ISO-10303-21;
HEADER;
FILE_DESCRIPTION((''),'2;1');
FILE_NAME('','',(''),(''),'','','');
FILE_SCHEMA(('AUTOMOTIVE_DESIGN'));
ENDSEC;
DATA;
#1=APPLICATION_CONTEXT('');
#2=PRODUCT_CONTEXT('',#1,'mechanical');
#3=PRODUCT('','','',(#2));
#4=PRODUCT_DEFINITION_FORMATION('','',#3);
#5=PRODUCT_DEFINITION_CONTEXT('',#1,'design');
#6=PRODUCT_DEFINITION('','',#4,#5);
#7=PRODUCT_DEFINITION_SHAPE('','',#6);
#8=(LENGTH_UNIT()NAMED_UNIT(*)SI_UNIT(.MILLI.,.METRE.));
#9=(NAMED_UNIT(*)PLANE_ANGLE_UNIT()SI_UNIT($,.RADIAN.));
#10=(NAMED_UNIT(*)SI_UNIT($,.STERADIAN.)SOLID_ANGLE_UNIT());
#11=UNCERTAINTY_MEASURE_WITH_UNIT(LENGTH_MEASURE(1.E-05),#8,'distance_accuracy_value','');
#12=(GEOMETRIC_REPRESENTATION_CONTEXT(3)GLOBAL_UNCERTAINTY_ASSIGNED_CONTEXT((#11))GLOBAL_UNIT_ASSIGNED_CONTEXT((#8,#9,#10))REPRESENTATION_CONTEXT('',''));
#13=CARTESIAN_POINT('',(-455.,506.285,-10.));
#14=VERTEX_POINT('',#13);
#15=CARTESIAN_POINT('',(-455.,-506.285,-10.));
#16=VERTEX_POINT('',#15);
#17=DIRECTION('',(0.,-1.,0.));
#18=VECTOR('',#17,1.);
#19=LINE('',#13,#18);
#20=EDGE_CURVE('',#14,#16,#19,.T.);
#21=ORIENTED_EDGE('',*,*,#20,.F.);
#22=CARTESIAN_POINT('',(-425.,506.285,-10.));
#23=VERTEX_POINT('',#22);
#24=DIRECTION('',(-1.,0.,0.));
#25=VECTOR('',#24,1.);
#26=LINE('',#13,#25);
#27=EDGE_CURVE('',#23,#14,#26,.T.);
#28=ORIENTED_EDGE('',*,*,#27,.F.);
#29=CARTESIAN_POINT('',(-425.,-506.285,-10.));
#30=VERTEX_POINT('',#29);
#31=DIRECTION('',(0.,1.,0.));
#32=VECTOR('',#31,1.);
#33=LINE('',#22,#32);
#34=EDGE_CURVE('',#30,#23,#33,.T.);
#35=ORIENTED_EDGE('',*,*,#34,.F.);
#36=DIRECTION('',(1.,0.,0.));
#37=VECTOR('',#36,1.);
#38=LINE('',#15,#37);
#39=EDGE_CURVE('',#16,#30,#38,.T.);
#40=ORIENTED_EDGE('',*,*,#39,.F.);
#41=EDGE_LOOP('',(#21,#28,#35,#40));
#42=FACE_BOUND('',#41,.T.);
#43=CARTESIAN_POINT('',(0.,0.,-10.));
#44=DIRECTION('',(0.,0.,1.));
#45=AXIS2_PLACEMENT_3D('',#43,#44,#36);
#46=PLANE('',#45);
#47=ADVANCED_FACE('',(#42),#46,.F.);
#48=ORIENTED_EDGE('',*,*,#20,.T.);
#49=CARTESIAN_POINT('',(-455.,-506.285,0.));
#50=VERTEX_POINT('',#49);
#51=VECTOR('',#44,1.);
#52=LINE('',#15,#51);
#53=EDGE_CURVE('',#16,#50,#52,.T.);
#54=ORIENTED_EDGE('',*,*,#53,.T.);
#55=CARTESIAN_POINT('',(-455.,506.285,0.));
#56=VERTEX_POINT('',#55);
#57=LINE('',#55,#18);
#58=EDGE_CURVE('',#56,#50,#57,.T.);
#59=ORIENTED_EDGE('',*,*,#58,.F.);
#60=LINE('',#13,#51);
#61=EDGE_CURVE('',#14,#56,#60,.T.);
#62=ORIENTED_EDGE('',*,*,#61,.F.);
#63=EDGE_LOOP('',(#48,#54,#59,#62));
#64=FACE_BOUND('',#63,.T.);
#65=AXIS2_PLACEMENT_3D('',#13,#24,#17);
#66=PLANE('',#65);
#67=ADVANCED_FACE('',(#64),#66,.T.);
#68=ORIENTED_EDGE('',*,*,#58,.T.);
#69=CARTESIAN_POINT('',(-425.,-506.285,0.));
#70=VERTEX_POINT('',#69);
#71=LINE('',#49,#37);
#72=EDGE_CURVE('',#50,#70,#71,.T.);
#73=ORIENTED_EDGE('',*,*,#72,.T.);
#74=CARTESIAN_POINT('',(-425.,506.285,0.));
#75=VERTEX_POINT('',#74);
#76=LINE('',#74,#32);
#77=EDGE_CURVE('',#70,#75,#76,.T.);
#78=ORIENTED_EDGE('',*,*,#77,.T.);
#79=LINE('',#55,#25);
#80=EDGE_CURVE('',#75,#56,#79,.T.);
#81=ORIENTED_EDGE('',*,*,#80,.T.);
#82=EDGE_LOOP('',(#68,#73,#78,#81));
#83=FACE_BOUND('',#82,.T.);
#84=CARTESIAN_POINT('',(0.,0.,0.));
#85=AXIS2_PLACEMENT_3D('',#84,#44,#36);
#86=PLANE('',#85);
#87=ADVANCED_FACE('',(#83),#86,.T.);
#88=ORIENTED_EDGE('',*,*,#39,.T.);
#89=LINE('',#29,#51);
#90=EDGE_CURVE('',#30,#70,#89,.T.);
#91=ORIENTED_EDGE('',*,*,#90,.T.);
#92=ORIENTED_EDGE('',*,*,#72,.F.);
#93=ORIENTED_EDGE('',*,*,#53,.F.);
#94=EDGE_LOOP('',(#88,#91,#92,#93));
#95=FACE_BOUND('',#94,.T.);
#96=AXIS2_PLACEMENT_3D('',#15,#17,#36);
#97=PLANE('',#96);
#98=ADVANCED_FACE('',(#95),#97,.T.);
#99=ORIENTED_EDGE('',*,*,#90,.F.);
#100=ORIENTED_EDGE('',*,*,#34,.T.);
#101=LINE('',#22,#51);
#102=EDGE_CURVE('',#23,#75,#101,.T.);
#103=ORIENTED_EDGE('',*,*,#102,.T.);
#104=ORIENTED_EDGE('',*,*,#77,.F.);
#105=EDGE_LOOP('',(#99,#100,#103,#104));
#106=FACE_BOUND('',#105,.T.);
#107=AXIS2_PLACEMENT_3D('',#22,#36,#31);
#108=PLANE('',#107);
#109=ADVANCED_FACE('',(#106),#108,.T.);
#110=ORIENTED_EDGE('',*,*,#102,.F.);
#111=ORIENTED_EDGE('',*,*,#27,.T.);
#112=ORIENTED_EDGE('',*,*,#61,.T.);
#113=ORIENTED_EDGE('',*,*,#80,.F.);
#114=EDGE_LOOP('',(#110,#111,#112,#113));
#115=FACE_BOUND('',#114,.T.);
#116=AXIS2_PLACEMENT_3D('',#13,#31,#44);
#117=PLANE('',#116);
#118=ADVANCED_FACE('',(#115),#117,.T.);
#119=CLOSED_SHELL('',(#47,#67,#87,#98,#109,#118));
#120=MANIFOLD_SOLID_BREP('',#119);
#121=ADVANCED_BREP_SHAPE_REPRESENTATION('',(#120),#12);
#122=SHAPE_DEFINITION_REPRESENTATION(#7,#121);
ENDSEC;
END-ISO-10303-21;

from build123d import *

# Parameters (mm, degrees)
SKETCH_1_W      = 30
SKETCH_1_H      = 1012.57
EXTRUDE_1_DEPTH = 10


with BuildPart() as part:
    # Эскиз1 → Бобышка-Вытянуть1 (new body)
    with BuildSketch(Plane.XY):
        with Locations((-440, 0)):
            Rectangle(SKETCH_1_W, SKETCH_1_H)
    extrude(amount=-EXTRUDE_1_DEPTH)


solid = part.part
